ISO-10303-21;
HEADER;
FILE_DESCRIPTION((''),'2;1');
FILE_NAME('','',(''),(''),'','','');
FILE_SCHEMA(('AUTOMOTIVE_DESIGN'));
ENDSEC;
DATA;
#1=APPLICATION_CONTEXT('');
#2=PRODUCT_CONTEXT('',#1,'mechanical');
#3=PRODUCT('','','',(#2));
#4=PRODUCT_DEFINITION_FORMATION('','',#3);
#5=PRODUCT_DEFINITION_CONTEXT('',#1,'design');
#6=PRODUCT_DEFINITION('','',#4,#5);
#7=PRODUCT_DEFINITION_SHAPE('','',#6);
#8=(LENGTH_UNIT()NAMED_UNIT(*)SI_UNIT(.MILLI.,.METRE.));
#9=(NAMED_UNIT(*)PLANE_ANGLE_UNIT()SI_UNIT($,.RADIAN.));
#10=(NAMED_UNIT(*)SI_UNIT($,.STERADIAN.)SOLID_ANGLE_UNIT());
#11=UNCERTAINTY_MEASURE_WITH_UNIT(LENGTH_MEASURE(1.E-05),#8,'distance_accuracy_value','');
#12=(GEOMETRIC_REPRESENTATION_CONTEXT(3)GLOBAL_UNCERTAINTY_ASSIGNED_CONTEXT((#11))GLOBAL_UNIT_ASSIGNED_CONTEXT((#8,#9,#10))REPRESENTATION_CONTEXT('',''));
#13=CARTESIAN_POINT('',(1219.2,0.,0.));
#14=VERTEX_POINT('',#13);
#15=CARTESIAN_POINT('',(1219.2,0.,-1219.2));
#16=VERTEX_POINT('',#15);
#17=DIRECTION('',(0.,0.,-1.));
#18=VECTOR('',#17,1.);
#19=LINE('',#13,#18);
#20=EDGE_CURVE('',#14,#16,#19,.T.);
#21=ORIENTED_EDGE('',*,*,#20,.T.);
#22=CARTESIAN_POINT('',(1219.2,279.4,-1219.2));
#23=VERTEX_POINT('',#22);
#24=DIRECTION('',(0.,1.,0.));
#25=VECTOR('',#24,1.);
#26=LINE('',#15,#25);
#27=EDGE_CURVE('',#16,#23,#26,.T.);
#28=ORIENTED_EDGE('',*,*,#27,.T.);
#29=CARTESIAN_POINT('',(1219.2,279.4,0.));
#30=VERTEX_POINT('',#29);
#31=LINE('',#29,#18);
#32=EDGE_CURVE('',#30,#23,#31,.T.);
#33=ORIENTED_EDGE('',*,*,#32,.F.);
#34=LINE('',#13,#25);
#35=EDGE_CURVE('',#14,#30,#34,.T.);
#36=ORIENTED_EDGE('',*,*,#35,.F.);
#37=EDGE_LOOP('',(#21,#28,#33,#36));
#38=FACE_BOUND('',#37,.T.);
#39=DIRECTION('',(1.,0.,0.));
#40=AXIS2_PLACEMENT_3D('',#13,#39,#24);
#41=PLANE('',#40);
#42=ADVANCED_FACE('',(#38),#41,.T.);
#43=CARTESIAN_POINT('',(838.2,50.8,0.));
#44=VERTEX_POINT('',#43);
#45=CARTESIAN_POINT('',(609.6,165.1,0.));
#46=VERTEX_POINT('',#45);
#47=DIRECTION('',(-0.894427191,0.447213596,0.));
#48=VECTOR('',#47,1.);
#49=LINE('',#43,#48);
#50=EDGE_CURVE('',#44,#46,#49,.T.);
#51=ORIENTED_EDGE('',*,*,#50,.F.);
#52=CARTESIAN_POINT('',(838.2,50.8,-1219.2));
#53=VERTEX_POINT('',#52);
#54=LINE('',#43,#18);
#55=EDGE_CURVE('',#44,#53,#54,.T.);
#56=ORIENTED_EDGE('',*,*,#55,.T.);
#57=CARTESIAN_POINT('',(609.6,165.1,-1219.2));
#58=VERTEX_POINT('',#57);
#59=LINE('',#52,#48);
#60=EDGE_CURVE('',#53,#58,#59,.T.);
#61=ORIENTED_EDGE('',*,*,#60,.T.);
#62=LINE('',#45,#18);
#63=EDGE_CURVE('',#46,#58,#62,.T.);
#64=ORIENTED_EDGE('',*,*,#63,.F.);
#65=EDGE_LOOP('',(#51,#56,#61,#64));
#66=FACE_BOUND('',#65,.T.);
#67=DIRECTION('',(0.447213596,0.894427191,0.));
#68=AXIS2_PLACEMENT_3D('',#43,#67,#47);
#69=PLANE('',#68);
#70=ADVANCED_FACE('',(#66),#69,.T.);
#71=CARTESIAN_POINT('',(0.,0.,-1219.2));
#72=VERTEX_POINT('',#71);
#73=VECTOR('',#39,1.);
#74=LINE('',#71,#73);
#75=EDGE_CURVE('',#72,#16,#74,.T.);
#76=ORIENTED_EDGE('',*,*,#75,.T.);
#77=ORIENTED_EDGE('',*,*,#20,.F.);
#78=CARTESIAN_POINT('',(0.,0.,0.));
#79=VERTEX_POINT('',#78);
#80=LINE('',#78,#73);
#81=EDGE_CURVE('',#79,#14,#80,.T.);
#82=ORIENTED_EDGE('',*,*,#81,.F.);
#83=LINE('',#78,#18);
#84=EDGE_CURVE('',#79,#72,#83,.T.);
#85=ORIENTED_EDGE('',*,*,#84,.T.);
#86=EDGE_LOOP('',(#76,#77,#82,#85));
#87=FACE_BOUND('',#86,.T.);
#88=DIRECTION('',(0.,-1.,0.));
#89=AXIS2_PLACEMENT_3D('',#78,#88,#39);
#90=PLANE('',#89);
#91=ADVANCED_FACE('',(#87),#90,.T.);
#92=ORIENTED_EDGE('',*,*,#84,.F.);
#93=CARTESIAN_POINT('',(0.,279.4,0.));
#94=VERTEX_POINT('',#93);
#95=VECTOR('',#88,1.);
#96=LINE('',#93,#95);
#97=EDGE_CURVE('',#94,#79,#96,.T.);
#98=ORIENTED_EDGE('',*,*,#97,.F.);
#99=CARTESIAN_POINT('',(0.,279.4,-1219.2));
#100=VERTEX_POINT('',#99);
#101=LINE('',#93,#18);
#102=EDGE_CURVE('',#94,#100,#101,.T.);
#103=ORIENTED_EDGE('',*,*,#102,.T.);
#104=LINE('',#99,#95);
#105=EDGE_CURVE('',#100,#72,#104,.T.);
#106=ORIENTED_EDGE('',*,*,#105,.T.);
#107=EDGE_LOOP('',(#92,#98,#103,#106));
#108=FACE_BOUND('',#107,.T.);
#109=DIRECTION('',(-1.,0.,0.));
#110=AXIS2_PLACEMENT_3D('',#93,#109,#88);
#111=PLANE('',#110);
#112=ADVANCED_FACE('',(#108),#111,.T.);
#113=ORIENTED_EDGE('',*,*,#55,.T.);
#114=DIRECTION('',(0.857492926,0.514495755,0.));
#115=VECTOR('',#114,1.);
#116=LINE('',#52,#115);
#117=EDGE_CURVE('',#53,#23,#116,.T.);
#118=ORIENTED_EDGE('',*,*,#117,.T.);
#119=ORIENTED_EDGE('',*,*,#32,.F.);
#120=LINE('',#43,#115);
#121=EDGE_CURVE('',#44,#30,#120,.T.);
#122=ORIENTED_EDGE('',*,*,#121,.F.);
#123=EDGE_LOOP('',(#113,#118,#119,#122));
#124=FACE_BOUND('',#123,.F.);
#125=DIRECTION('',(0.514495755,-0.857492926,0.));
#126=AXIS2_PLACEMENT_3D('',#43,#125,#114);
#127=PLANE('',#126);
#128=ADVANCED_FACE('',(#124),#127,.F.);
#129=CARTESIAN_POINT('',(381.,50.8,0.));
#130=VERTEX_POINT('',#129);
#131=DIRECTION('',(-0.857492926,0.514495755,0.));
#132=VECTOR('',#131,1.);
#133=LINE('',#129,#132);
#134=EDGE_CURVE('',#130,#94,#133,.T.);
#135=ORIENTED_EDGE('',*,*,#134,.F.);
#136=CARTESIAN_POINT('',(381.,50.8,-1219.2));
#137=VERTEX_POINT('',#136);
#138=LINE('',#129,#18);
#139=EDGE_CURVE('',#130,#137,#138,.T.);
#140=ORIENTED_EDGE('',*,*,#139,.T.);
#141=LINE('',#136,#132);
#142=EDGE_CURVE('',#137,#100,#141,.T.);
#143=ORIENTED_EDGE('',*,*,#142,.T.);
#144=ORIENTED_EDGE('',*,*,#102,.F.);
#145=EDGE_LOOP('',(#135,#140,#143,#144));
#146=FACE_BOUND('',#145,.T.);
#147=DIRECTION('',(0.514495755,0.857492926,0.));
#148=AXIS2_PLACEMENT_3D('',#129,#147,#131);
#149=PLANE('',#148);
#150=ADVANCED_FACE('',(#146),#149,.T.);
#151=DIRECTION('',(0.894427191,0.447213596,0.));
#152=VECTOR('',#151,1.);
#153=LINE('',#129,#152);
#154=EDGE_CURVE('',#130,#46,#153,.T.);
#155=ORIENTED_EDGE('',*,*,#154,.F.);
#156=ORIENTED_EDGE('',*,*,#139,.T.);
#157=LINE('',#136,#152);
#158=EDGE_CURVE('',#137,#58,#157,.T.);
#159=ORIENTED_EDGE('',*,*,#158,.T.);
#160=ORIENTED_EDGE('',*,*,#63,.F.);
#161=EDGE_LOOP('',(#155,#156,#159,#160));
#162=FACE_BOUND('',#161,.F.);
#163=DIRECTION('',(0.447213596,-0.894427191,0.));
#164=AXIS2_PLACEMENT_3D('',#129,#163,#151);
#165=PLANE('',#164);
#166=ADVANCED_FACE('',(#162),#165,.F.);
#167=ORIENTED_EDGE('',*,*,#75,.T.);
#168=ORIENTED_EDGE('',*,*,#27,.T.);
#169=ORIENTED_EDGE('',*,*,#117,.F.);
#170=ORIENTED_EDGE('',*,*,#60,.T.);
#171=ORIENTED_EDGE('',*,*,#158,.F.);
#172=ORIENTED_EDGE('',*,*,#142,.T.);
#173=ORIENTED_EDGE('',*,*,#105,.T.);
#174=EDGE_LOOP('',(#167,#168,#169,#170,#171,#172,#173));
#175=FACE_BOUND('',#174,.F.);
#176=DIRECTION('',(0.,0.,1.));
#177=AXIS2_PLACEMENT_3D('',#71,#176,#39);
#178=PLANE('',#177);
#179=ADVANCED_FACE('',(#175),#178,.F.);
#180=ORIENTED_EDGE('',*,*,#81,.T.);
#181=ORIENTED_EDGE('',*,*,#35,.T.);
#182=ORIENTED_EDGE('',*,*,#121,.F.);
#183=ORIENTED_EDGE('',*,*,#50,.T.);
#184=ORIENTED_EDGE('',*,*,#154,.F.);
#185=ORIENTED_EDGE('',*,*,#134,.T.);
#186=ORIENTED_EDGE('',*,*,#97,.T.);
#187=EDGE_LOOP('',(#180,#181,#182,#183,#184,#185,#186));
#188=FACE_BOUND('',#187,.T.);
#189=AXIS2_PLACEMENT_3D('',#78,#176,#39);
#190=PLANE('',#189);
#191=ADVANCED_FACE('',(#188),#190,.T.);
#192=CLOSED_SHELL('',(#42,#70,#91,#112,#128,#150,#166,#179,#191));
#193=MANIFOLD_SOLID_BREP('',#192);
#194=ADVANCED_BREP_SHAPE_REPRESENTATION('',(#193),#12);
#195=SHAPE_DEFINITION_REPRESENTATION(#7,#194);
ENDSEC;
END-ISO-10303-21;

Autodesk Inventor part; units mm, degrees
ref_plane "YZ Plane" through (0, 0, 0) normal (1, 0, 0) x (0, 1, 0)
ref_plane "XZ Plane" through (0, 0, 0) normal (0, 1, 0) x (-1, 0, 0)
ref_plane "XY Plane" through (0, 0, 0) normal (0, 0, 1) x (1, 0, 0)
sketch "Sketch1" plane through (0, 0, 0) normal (0, 0, 1) x (1, 0, 0)
  line L0 (0, 0) -> (1219.2, 0)
  line L1 (1219.2, 0) -> (1219.2, 279.4)
  line L2 (0, 279.4) -> (0, 0)
  line L3 (381, 50.8) -> (0, 279.4)
  line L4 (838.2, 50.8) -> (1219.2, 279.4)
  line L5 (330.2, 152.0857) -> (330.5143, 152.4)
  line L6 (787.7143, 152.4) -> (787.4, 152.4)
  line L7 (127, 152.4) -> (126.6857, 152.4)
  line L8 (381, 50.8) -> (609.6, 165.1)
  line L9 (838.2, 50.8) -> (609.6, 165.1)
  dimension "d37" = 165.1
  dimension "d39" = 457.2
  dimension "d40" = 1219.2
  dimension "d41" = 381
  dimension "d43" = 279.4
  dimension "d44" = 279.4
  dimension "d45" = 50.8
  dimension "d46" = 50.8
  dimension "d47" = 228.6
extrude "Extrusion3" add sketch "Sketch1" against normal blind 1219.2
sketch "Sketch3" plane through (609.6, 165.1, 0) normal (-0.4472, 0.8944, 0) x (0.8944, 0.4472, 0)
  line L0 (-179.3826, 609.6) -> (0, 609.6)
  line L1 (0, 0) -> (0, 1219.2) projected
  line L2 (-255.5826, 1219.2) -> (0, 1219.2) projected
  line L3 (-179.3826, 1219.2) -> (-179.3826, 0)
  line L4 (-255.5826, 0) -> (-255.5826, 1219.2) projected
  point P0 (-619.0778, 0)
  dimension "d52" = 76.2
  dimension "d53" = 609.6
sketch "Sketch4" plane through (838.2, 50.8, 0) normal (0.4472, 0.8944, 0) x (0.8944, -0.4472, 0)
  line L0 (0, 1219.2) -> (238.5437, 1219.2) projected
  line L1 (-76.2, 609.6) -> (-255.5826, 609.6)
  line L2 (-255.5826, 0) -> (-255.5826, 1219.2) projected
  line L3 (0, 0) -> (-255.5826, 0) projected
  line L4 (-76.2, 0) -> (-76.2, 1219.2)
  line L5 (-255.5826, 1219.2) -> (0, 1219.2) projected
  line L6 (0, 0) -> (0, 1219.2) projected
  point P0 (-726.9904, 0)
  dimension "d54" = 76.2
sketch "Sketch5" plane through (1219.2, 279.4, 0) normal (-0.5145, 0.8575, 0) x (0.8575, 0.5145, 0)
  line L0 (0, 0) -> (0, 1219.2) projected
  line L1 (0, 609.6) -> (-444.3185, 609.6)
  line L2 (-444.3185, 0) -> (-444.3185, 1219.2) projected
  point P0 (-1189.2055, 0)
sketch "Sketch6" plane through (381, 50.8, 0) normal (0.5145, 0.8575, 0) x (0.8575, -0.5145, 0)
  line L0 (-444.3185, 0) -> (-444.3185, 1219.2) projected
  line L1 (-444.3185, 609.6) -> (0, 609.6)
  line L2 (0, 0) -> (0, 1219.2) projected
  point P0 (-300.5684, 0)
split_face "Split1"
split_face "Split2"
split_face "Split3"
split_face "Split4"
split_face "Split5"
split_face "Split6"
properties part number "Drone Charging Base" material "Aluminum 6061"
